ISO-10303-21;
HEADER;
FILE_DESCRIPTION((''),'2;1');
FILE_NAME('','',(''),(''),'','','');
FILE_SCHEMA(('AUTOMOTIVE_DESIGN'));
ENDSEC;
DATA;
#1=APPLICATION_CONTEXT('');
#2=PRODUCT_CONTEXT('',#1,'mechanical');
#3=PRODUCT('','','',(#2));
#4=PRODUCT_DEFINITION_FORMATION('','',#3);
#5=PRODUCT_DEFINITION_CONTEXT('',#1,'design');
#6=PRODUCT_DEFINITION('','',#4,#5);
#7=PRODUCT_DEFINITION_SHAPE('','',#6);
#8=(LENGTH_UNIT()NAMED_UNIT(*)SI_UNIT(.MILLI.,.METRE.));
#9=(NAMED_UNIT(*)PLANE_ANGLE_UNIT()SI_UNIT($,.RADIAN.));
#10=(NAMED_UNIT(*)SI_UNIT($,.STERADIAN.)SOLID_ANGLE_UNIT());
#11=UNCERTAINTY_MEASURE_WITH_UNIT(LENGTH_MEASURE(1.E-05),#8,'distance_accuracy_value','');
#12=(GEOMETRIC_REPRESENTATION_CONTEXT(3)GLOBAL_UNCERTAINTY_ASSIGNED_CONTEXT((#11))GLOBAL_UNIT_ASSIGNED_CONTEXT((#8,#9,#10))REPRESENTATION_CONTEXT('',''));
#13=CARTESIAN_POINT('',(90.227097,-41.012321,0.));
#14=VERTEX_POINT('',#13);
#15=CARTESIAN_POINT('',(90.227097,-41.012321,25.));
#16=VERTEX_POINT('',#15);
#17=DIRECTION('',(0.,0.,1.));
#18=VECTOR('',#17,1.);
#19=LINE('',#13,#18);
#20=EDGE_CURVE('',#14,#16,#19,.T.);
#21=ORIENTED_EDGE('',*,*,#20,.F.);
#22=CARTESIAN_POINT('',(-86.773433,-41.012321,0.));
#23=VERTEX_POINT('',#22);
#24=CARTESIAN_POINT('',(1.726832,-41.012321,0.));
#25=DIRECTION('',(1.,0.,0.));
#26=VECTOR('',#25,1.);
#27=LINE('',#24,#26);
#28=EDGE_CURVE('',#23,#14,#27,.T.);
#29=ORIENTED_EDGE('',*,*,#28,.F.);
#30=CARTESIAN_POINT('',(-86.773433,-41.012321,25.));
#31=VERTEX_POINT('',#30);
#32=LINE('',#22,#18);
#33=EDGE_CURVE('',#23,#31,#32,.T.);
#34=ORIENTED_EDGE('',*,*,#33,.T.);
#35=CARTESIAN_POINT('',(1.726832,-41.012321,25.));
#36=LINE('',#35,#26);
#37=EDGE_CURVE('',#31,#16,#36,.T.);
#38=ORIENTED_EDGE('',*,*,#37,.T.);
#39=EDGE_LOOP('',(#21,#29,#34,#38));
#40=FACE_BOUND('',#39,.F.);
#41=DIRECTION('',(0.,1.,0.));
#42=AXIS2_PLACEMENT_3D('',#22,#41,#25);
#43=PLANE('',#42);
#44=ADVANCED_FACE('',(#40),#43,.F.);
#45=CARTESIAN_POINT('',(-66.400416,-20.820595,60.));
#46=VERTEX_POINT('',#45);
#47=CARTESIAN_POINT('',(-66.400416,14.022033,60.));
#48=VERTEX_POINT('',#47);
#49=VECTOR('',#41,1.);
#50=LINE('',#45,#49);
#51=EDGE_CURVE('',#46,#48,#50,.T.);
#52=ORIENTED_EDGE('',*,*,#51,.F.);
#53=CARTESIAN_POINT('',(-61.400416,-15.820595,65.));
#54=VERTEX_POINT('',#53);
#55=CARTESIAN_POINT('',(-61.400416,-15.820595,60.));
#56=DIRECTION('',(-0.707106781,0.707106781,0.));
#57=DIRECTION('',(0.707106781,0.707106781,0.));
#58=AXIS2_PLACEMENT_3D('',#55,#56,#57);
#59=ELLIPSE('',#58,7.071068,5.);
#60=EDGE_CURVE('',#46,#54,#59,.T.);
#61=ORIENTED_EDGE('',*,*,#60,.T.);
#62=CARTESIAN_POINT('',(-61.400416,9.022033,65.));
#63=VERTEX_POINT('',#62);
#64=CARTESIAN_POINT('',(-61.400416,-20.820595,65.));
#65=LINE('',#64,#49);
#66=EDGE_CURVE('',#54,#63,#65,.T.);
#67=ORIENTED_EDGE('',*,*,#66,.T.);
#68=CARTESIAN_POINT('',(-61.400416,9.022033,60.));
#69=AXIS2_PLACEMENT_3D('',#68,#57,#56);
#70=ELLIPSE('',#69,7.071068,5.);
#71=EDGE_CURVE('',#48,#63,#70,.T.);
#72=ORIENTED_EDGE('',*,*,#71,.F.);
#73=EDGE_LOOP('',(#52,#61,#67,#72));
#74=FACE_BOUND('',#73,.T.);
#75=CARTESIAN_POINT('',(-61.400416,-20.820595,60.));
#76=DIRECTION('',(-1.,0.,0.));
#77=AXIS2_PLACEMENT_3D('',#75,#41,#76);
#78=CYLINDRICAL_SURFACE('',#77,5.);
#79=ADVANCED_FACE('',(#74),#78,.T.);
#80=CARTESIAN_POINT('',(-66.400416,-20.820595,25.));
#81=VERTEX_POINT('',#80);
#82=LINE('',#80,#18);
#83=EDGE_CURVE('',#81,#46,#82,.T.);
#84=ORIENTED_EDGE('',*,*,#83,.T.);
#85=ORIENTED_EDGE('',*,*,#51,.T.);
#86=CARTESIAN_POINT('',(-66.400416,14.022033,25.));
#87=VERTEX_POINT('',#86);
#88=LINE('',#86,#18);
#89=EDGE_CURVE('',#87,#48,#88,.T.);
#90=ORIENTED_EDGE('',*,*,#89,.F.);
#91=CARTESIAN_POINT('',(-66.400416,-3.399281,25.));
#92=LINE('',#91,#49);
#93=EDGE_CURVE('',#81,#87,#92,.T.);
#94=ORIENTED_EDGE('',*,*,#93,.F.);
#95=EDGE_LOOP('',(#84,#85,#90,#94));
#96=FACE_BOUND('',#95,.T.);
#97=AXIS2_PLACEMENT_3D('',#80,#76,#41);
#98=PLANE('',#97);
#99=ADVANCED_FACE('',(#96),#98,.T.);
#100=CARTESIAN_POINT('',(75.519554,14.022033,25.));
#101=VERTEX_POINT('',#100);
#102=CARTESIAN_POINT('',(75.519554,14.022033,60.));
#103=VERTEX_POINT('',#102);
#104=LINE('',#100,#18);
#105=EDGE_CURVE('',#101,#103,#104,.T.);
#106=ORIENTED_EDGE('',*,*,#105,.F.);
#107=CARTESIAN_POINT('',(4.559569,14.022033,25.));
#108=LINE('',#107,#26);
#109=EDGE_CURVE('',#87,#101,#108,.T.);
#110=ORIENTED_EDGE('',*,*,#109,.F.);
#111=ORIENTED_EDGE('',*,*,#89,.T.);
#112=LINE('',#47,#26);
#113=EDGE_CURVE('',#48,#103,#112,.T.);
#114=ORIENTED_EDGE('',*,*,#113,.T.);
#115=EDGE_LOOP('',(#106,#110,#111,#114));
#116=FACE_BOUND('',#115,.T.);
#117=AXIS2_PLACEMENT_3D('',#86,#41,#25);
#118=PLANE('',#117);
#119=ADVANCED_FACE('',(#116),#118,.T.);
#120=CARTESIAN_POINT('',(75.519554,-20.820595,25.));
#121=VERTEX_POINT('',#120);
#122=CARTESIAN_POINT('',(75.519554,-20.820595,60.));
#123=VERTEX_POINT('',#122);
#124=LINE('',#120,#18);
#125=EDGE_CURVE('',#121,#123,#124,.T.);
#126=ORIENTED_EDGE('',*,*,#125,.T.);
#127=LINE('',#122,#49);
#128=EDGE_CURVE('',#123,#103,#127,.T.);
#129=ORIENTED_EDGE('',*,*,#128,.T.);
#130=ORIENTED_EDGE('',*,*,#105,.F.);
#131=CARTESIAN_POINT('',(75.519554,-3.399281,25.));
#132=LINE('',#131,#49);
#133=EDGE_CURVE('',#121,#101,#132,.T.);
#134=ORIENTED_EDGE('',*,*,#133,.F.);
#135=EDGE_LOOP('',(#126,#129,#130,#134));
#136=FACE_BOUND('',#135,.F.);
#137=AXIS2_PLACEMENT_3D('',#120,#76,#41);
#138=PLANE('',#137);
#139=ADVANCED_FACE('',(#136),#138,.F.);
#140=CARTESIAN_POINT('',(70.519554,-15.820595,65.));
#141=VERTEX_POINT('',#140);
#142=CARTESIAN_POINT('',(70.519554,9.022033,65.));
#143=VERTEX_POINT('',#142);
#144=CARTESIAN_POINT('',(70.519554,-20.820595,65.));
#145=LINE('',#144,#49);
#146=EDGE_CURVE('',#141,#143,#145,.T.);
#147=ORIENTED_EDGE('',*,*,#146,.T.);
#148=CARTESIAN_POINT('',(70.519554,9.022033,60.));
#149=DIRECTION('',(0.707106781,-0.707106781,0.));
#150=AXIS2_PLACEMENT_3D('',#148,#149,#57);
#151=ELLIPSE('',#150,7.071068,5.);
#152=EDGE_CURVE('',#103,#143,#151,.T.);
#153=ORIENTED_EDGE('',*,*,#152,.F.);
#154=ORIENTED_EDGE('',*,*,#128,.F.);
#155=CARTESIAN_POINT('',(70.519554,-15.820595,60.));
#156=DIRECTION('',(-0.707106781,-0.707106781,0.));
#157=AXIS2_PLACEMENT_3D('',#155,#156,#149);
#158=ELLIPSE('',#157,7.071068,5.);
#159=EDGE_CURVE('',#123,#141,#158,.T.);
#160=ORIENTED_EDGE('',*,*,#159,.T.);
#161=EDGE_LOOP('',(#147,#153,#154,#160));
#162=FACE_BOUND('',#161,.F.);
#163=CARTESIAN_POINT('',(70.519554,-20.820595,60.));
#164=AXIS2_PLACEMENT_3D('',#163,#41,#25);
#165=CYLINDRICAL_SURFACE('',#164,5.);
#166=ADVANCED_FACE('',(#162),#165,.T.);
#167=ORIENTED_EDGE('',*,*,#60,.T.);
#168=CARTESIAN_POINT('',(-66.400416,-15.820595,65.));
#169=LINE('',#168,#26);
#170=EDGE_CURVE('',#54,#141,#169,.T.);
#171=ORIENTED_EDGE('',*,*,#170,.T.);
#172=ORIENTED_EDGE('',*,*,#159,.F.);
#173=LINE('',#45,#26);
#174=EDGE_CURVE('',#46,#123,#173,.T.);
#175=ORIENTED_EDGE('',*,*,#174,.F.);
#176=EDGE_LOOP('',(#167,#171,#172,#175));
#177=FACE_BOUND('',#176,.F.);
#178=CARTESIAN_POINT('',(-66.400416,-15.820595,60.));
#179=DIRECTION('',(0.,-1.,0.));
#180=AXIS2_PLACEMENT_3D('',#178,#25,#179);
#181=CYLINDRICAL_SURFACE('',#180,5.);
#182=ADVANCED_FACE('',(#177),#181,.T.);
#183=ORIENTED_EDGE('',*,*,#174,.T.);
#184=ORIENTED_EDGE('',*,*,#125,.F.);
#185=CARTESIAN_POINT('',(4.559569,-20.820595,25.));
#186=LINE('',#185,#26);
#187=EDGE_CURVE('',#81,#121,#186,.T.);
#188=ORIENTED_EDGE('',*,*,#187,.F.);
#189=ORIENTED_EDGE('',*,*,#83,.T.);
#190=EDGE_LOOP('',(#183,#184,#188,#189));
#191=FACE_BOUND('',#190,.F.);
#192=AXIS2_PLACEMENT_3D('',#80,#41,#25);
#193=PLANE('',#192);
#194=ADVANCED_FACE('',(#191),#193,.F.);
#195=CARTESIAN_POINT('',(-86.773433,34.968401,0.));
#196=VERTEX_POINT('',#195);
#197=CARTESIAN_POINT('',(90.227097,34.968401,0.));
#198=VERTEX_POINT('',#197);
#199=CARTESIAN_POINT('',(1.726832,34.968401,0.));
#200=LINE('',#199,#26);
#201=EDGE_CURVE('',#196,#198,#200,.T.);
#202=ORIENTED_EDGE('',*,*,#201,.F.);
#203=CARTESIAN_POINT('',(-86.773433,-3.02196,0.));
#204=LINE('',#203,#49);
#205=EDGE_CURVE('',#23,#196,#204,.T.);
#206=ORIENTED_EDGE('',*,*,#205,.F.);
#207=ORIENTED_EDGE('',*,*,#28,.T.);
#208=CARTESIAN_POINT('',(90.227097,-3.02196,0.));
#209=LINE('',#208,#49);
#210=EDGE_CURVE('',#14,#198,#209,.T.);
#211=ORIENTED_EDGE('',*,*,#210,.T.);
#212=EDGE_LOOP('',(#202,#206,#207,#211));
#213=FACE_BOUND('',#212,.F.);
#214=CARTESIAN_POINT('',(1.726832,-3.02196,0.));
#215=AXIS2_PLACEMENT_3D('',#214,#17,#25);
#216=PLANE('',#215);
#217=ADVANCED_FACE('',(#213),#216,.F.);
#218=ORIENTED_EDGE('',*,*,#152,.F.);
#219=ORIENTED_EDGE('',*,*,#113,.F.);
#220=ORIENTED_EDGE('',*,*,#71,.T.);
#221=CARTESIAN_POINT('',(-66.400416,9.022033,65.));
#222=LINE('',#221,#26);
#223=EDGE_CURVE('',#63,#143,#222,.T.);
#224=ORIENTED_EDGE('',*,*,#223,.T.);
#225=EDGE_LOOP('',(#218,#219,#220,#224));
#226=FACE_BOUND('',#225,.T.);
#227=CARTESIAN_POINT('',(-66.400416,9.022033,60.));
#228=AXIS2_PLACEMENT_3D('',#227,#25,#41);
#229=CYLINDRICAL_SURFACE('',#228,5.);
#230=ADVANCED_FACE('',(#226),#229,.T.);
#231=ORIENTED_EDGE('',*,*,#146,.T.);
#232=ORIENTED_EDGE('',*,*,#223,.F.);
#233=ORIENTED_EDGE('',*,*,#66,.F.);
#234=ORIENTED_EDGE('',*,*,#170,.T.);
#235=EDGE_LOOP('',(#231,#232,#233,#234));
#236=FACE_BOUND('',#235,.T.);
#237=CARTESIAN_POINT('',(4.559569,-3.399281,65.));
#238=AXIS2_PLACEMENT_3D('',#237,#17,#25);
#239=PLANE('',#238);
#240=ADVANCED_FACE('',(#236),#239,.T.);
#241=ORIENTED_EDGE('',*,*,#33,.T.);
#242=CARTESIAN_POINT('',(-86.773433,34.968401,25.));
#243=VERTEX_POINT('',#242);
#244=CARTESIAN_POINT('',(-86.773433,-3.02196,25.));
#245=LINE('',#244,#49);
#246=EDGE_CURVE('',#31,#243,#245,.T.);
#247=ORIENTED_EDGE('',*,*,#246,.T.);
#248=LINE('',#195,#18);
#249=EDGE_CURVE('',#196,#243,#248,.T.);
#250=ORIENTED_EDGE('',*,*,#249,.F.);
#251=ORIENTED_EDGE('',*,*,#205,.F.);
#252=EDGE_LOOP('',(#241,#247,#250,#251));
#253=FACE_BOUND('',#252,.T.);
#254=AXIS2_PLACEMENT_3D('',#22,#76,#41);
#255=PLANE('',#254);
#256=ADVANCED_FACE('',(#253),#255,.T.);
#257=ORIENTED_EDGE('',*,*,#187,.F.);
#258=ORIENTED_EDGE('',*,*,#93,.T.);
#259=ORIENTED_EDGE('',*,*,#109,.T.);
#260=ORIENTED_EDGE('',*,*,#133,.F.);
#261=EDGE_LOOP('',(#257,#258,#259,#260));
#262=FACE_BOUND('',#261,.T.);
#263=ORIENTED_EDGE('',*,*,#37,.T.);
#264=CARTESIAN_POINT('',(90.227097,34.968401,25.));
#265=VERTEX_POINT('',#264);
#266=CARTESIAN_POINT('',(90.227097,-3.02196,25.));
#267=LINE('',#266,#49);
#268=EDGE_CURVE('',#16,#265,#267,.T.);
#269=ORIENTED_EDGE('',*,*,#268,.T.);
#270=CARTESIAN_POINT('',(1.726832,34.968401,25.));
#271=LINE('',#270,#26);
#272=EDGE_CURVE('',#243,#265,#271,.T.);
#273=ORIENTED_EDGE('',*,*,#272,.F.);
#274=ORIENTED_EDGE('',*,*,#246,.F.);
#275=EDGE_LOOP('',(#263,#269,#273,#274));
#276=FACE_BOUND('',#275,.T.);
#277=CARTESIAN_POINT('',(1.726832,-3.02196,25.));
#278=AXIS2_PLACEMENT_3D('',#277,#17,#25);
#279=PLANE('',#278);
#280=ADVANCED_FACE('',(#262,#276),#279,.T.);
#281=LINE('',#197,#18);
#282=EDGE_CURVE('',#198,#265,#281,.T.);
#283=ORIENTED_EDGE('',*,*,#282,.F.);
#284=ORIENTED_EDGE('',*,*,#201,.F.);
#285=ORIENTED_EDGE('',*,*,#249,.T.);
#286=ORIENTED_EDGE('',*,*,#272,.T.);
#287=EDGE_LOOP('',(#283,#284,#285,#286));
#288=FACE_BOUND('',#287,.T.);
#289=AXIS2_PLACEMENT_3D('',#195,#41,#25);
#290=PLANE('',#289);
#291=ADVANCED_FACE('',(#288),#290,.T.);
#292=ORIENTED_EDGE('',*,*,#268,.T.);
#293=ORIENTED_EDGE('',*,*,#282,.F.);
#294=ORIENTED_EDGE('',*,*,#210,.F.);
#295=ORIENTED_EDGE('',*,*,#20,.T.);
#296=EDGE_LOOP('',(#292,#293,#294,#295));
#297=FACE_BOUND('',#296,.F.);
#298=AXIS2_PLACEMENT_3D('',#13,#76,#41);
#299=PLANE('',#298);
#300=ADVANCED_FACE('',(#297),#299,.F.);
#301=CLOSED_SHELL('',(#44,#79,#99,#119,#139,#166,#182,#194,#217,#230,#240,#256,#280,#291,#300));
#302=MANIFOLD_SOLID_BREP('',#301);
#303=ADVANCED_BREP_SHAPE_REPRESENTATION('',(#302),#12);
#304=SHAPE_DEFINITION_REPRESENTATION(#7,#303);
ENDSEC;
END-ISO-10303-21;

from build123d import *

# Parameters (mm, degrees)
F0_W     = 177.00053
F0_H     = 75.980723
F1_DEPTH = 25
F2_W     = 141.91997
F2_H     = 34.842628
F3_DEPTH = 40
F4_R     = 5


with BuildPart() as f1:
    # F0 (on Top) → F1 (new body)
    with BuildSketch(Plane.XY):
        with Locations((1.726832, -3.02196)):
            Rectangle(F0_W, F0_H)
    extrude(amount=F1_DEPTH)

    # F2 (on face) → F3 (join)
    with BuildSketch(Plane.XY.offset(25)):
        with Locations((4.559569, -3.399281)):
            Rectangle(F2_W, F2_H)
    extrude(amount=F3_DEPTH)

    # F4
    f4_edges = [f1.edges().sort_by_distance(p)[0] for p in [
        (4.559569, -20.820595, 65),
        (-66.400416, -3.399281, 65),
        (4.559569, 14.022033, 65),
        (75.519554, -3.399281, 65),
    ]]
    fillet(f4_edges, radius=F4_R)


solid = f1.part
